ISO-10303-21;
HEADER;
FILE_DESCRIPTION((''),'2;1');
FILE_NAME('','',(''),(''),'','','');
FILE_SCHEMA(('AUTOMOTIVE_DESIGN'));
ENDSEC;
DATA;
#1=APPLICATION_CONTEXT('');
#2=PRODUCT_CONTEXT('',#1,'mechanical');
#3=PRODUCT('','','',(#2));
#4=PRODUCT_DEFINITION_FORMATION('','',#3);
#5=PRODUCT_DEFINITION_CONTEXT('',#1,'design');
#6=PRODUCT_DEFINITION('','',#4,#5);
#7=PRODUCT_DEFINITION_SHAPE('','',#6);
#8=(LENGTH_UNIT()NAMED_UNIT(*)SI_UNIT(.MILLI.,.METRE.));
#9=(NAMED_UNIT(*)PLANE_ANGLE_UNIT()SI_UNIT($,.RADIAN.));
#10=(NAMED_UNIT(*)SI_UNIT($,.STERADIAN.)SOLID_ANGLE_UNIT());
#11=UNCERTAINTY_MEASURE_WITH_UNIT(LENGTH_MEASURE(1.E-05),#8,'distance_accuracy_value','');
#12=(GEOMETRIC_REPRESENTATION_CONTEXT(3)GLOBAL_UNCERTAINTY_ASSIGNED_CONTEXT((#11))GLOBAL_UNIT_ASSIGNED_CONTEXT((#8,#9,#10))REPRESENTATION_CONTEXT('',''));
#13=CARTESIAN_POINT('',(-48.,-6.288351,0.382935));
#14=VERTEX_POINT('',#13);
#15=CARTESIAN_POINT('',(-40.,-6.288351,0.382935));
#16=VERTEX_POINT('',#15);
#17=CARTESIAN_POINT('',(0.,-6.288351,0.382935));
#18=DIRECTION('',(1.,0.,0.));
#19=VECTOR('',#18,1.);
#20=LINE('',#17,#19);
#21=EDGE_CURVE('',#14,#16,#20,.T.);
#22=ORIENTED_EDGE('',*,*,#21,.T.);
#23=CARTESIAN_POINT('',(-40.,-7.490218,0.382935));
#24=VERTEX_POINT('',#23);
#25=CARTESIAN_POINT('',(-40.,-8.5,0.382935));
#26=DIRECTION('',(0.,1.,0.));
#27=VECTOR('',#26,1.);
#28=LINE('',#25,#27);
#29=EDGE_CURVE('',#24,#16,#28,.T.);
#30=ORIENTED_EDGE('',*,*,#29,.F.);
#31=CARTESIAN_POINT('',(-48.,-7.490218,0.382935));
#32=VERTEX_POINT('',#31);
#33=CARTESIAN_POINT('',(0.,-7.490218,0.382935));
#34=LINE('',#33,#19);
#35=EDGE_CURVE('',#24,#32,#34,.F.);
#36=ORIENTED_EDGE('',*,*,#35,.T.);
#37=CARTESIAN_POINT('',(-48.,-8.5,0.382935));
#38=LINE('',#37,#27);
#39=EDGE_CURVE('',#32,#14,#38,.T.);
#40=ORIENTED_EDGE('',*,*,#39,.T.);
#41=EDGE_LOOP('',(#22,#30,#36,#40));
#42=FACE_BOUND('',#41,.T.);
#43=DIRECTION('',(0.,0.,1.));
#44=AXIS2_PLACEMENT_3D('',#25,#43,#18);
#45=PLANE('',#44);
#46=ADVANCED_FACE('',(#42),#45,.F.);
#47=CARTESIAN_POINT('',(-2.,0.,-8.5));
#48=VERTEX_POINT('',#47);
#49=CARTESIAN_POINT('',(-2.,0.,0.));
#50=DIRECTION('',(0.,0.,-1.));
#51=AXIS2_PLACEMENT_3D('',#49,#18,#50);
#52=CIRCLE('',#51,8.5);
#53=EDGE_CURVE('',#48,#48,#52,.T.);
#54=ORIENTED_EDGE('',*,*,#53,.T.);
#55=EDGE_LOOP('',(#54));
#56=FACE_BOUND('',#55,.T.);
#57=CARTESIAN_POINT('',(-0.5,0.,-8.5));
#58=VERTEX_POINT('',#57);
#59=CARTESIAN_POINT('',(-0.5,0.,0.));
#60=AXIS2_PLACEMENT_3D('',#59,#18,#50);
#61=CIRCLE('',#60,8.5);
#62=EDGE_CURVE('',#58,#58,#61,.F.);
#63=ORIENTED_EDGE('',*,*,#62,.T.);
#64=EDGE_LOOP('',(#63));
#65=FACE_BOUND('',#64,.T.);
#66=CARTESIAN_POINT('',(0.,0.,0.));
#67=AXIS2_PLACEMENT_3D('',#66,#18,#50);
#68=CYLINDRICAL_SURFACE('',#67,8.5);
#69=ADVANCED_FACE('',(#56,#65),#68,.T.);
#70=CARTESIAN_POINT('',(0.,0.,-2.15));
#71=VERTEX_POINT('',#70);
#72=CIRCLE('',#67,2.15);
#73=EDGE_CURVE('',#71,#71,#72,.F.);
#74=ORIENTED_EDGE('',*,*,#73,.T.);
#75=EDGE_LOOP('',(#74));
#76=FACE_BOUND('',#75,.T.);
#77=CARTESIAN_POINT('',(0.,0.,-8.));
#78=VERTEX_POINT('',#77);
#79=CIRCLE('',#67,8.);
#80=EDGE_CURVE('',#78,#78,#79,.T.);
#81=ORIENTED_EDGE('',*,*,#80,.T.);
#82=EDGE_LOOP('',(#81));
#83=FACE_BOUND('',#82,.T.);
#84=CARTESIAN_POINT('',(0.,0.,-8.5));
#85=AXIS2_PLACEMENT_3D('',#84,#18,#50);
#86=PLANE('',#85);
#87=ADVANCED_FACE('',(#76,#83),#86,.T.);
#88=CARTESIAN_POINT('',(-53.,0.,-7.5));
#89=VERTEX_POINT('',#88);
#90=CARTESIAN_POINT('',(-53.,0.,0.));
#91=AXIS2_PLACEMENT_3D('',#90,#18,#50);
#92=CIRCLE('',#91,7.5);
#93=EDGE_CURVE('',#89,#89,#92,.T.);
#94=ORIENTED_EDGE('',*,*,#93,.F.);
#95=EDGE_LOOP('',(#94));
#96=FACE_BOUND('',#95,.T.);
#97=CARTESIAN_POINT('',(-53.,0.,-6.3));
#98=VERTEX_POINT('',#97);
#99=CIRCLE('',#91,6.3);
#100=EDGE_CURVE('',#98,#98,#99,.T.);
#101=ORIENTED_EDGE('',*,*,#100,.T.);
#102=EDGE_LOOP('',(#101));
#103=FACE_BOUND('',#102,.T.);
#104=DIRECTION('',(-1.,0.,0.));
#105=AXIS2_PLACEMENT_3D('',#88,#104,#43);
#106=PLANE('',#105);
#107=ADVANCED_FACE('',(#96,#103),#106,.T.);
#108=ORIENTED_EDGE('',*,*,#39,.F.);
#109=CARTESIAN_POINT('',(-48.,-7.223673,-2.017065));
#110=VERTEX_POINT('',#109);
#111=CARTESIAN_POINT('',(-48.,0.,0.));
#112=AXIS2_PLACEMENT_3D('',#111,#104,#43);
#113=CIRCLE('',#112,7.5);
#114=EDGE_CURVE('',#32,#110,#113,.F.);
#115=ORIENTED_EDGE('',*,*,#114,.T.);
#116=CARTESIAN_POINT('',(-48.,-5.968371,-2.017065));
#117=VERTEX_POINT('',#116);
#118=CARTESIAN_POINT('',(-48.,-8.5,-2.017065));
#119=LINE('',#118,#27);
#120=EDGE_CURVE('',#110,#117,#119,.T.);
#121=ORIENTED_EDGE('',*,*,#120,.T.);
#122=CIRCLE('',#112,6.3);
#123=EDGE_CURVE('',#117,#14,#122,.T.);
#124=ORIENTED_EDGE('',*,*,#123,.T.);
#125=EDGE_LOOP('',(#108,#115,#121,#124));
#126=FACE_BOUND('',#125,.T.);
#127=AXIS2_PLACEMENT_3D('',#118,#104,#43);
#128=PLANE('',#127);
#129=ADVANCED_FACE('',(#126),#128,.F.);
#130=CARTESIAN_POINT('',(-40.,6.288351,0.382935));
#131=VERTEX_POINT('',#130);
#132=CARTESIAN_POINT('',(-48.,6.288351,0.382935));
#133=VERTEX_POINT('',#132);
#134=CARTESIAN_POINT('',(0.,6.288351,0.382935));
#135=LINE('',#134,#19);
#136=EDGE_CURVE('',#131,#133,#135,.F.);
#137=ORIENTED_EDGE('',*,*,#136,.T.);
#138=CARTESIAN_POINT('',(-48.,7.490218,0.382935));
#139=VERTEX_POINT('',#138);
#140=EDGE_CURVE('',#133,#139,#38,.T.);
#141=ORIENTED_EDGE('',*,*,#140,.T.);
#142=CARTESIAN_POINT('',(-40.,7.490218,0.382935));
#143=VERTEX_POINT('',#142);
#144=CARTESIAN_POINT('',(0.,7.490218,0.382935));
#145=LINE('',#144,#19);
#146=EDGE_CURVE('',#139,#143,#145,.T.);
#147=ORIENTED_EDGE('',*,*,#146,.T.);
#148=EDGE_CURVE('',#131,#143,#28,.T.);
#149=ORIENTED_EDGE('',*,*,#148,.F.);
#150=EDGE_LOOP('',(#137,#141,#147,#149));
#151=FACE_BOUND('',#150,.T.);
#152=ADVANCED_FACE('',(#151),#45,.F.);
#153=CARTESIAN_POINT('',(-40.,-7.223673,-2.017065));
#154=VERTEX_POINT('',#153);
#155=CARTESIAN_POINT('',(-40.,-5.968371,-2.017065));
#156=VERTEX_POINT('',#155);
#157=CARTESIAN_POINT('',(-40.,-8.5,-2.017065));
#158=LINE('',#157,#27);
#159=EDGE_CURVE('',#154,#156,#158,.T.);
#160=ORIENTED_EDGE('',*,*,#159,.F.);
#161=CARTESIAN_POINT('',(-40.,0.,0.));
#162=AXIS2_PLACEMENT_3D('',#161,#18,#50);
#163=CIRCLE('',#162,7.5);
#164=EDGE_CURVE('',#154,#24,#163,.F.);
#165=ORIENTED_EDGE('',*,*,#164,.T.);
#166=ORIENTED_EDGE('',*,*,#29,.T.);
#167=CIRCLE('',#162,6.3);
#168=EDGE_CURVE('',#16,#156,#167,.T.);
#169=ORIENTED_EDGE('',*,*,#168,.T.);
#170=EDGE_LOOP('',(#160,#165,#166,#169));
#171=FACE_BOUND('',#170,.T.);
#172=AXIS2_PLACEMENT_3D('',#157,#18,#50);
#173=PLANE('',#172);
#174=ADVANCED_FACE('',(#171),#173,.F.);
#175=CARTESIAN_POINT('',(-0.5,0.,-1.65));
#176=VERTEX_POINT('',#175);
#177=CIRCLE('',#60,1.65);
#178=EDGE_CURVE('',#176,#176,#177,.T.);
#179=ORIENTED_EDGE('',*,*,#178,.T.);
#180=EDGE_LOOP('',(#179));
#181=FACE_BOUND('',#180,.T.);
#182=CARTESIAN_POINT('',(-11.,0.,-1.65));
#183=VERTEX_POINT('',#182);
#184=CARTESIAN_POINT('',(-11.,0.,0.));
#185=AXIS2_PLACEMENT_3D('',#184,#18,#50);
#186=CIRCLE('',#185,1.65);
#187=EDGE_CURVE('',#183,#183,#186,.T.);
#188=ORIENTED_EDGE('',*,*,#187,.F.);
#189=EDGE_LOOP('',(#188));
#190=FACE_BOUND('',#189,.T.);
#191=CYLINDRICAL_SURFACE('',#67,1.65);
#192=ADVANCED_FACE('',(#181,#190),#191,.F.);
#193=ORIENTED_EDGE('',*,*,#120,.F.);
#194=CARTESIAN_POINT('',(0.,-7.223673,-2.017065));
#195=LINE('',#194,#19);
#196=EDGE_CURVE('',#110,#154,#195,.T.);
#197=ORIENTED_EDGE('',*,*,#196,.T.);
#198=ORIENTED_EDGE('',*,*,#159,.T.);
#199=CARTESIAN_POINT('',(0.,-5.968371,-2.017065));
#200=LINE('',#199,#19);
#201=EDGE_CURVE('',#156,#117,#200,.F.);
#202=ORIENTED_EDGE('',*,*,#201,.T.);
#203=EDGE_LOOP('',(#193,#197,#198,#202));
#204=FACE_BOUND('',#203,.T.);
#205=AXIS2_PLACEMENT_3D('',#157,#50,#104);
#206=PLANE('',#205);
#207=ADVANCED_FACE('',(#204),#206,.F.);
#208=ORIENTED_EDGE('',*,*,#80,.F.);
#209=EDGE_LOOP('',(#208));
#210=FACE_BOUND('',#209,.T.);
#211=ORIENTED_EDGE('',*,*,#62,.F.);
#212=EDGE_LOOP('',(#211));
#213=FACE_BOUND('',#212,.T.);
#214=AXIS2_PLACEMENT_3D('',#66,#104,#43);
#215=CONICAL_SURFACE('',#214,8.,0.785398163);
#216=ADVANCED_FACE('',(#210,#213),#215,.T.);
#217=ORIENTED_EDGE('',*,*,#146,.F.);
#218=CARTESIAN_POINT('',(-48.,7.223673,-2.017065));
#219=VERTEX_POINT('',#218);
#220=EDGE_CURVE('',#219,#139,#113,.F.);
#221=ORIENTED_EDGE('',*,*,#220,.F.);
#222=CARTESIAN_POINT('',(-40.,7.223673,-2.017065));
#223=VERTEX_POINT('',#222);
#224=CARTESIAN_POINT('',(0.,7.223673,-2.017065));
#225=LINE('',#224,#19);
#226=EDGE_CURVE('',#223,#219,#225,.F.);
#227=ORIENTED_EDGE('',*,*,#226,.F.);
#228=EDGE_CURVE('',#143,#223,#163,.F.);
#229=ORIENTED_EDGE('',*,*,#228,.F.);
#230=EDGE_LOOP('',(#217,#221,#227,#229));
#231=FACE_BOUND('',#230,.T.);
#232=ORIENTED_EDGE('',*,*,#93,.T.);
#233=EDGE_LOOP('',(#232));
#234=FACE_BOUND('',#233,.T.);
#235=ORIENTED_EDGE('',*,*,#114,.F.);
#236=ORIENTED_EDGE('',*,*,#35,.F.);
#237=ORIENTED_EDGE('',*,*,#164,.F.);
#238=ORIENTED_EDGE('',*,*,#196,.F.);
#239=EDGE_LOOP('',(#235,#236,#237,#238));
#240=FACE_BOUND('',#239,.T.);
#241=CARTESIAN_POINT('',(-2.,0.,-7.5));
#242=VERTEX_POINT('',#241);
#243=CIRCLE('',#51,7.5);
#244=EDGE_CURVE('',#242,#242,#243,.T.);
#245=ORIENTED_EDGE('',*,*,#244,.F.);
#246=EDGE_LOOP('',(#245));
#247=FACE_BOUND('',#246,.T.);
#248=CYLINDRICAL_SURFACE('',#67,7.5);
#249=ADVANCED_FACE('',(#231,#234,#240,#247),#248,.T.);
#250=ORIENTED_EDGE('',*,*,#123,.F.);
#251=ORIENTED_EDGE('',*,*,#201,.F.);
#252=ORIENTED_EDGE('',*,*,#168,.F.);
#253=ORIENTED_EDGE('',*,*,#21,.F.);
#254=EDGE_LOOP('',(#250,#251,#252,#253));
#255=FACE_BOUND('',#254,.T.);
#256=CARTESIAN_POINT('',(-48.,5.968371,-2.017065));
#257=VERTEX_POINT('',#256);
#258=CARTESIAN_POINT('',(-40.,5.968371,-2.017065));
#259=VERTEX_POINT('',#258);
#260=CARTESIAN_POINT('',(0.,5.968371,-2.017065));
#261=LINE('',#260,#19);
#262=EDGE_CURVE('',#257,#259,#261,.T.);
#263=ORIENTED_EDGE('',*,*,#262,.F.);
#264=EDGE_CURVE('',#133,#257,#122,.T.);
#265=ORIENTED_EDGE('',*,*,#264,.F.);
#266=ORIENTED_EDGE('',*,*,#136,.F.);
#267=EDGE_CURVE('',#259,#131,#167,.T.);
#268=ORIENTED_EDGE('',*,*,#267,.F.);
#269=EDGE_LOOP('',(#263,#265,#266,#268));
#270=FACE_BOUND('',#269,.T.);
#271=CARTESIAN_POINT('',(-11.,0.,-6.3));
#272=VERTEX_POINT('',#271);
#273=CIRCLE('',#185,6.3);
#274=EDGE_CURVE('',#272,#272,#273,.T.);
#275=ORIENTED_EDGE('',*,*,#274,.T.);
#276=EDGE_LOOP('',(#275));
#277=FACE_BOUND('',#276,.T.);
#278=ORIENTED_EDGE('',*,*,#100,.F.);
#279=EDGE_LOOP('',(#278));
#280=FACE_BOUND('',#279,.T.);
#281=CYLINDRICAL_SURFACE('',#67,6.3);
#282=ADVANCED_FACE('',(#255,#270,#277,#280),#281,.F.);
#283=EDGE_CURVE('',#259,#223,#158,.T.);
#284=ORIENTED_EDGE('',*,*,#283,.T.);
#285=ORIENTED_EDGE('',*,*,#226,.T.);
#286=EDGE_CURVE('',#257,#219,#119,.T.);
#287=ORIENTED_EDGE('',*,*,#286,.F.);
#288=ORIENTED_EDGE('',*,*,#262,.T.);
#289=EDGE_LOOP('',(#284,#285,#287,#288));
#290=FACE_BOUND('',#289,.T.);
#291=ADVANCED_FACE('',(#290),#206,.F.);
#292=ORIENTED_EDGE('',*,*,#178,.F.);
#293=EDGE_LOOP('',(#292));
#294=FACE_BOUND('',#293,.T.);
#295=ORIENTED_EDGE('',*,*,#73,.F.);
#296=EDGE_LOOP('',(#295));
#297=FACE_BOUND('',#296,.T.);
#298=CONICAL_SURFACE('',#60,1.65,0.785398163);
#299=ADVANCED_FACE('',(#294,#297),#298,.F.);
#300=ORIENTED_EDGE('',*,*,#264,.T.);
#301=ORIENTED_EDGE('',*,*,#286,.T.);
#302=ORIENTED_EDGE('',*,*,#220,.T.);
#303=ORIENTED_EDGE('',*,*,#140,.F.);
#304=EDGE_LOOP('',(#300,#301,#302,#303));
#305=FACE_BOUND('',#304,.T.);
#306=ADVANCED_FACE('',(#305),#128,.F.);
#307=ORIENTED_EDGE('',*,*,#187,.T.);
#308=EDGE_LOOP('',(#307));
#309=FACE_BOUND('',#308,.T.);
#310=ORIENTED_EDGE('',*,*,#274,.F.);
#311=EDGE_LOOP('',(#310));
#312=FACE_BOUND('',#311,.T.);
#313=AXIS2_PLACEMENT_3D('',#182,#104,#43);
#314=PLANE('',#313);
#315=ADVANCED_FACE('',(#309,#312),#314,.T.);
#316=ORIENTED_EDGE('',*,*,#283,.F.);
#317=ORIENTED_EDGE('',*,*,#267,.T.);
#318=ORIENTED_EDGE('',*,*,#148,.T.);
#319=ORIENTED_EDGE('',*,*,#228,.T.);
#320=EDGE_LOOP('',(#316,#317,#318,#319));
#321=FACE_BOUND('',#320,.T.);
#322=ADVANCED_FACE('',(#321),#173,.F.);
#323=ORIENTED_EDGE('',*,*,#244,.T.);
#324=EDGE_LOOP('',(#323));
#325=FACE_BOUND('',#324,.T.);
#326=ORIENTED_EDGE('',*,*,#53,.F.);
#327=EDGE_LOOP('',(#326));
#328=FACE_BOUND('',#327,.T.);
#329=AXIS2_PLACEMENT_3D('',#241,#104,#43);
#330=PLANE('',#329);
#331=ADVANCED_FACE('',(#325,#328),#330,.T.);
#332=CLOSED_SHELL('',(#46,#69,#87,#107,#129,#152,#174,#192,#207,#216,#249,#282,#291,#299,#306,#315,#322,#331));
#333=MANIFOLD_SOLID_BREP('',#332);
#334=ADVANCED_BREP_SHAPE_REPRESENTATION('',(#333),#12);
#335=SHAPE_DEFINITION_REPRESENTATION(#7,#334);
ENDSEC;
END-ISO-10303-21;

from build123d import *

# Parameters (mm, degrees)
CHAMFER2_SIZE           = 0.5
SKETCH3_W               = 8
SKETCH3_H               = 2.4
CUT_EXTRUDE1_DEPTH      = 9.5
CUT_EXTRUDE1_DEPTH_BACK = 9.5


with BuildPart() as part:
    # Sketch2 → Revolve1 (revolve)
    with BuildSketch(Plane(origin=(0, 0, 0), x_dir=(1, 0, 0), z_dir=(0, 1, 0))):
        Polygon((0, 1.65), (-11, 1.65), (-11, 6.3), (-53, 6.3), (-53, 7.5), (-2, 7.5), (-2, 8.5), (0, 8.5), align=None)
    revolve(axis=Axis((0, 0, 0), (-1, 0, 0)))

    # Chamfer2
    chamfer2_edges = [part.edges().sort_by_distance(p)[0] for p in [
        (0, 0, 8.5),
        (0, 0, 1.65),
    ]]
    chamfer(chamfer2_edges, length=CHAMFER2_SIZE)

    # Sketch3 → Cut-Extrude1 (cut, two sides)
    with BuildSketch(Plane(origin=(0, 0, 0), x_dir=(1, 0, 0), z_dir=(0, 1, 0))) as cut_extrude1_sk:
        with Locations((-44, 0.817065344)):
            Rectangle(SKETCH3_W, SKETCH3_H)
    extrude(amount=CUT_EXTRUDE1_DEPTH, mode=Mode.SUBTRACT)
    extrude(cut_extrude1_sk.sketch, amount=-CUT_EXTRUDE1_DEPTH_BACK, mode=Mode.SUBTRACT)


solid = part.part
